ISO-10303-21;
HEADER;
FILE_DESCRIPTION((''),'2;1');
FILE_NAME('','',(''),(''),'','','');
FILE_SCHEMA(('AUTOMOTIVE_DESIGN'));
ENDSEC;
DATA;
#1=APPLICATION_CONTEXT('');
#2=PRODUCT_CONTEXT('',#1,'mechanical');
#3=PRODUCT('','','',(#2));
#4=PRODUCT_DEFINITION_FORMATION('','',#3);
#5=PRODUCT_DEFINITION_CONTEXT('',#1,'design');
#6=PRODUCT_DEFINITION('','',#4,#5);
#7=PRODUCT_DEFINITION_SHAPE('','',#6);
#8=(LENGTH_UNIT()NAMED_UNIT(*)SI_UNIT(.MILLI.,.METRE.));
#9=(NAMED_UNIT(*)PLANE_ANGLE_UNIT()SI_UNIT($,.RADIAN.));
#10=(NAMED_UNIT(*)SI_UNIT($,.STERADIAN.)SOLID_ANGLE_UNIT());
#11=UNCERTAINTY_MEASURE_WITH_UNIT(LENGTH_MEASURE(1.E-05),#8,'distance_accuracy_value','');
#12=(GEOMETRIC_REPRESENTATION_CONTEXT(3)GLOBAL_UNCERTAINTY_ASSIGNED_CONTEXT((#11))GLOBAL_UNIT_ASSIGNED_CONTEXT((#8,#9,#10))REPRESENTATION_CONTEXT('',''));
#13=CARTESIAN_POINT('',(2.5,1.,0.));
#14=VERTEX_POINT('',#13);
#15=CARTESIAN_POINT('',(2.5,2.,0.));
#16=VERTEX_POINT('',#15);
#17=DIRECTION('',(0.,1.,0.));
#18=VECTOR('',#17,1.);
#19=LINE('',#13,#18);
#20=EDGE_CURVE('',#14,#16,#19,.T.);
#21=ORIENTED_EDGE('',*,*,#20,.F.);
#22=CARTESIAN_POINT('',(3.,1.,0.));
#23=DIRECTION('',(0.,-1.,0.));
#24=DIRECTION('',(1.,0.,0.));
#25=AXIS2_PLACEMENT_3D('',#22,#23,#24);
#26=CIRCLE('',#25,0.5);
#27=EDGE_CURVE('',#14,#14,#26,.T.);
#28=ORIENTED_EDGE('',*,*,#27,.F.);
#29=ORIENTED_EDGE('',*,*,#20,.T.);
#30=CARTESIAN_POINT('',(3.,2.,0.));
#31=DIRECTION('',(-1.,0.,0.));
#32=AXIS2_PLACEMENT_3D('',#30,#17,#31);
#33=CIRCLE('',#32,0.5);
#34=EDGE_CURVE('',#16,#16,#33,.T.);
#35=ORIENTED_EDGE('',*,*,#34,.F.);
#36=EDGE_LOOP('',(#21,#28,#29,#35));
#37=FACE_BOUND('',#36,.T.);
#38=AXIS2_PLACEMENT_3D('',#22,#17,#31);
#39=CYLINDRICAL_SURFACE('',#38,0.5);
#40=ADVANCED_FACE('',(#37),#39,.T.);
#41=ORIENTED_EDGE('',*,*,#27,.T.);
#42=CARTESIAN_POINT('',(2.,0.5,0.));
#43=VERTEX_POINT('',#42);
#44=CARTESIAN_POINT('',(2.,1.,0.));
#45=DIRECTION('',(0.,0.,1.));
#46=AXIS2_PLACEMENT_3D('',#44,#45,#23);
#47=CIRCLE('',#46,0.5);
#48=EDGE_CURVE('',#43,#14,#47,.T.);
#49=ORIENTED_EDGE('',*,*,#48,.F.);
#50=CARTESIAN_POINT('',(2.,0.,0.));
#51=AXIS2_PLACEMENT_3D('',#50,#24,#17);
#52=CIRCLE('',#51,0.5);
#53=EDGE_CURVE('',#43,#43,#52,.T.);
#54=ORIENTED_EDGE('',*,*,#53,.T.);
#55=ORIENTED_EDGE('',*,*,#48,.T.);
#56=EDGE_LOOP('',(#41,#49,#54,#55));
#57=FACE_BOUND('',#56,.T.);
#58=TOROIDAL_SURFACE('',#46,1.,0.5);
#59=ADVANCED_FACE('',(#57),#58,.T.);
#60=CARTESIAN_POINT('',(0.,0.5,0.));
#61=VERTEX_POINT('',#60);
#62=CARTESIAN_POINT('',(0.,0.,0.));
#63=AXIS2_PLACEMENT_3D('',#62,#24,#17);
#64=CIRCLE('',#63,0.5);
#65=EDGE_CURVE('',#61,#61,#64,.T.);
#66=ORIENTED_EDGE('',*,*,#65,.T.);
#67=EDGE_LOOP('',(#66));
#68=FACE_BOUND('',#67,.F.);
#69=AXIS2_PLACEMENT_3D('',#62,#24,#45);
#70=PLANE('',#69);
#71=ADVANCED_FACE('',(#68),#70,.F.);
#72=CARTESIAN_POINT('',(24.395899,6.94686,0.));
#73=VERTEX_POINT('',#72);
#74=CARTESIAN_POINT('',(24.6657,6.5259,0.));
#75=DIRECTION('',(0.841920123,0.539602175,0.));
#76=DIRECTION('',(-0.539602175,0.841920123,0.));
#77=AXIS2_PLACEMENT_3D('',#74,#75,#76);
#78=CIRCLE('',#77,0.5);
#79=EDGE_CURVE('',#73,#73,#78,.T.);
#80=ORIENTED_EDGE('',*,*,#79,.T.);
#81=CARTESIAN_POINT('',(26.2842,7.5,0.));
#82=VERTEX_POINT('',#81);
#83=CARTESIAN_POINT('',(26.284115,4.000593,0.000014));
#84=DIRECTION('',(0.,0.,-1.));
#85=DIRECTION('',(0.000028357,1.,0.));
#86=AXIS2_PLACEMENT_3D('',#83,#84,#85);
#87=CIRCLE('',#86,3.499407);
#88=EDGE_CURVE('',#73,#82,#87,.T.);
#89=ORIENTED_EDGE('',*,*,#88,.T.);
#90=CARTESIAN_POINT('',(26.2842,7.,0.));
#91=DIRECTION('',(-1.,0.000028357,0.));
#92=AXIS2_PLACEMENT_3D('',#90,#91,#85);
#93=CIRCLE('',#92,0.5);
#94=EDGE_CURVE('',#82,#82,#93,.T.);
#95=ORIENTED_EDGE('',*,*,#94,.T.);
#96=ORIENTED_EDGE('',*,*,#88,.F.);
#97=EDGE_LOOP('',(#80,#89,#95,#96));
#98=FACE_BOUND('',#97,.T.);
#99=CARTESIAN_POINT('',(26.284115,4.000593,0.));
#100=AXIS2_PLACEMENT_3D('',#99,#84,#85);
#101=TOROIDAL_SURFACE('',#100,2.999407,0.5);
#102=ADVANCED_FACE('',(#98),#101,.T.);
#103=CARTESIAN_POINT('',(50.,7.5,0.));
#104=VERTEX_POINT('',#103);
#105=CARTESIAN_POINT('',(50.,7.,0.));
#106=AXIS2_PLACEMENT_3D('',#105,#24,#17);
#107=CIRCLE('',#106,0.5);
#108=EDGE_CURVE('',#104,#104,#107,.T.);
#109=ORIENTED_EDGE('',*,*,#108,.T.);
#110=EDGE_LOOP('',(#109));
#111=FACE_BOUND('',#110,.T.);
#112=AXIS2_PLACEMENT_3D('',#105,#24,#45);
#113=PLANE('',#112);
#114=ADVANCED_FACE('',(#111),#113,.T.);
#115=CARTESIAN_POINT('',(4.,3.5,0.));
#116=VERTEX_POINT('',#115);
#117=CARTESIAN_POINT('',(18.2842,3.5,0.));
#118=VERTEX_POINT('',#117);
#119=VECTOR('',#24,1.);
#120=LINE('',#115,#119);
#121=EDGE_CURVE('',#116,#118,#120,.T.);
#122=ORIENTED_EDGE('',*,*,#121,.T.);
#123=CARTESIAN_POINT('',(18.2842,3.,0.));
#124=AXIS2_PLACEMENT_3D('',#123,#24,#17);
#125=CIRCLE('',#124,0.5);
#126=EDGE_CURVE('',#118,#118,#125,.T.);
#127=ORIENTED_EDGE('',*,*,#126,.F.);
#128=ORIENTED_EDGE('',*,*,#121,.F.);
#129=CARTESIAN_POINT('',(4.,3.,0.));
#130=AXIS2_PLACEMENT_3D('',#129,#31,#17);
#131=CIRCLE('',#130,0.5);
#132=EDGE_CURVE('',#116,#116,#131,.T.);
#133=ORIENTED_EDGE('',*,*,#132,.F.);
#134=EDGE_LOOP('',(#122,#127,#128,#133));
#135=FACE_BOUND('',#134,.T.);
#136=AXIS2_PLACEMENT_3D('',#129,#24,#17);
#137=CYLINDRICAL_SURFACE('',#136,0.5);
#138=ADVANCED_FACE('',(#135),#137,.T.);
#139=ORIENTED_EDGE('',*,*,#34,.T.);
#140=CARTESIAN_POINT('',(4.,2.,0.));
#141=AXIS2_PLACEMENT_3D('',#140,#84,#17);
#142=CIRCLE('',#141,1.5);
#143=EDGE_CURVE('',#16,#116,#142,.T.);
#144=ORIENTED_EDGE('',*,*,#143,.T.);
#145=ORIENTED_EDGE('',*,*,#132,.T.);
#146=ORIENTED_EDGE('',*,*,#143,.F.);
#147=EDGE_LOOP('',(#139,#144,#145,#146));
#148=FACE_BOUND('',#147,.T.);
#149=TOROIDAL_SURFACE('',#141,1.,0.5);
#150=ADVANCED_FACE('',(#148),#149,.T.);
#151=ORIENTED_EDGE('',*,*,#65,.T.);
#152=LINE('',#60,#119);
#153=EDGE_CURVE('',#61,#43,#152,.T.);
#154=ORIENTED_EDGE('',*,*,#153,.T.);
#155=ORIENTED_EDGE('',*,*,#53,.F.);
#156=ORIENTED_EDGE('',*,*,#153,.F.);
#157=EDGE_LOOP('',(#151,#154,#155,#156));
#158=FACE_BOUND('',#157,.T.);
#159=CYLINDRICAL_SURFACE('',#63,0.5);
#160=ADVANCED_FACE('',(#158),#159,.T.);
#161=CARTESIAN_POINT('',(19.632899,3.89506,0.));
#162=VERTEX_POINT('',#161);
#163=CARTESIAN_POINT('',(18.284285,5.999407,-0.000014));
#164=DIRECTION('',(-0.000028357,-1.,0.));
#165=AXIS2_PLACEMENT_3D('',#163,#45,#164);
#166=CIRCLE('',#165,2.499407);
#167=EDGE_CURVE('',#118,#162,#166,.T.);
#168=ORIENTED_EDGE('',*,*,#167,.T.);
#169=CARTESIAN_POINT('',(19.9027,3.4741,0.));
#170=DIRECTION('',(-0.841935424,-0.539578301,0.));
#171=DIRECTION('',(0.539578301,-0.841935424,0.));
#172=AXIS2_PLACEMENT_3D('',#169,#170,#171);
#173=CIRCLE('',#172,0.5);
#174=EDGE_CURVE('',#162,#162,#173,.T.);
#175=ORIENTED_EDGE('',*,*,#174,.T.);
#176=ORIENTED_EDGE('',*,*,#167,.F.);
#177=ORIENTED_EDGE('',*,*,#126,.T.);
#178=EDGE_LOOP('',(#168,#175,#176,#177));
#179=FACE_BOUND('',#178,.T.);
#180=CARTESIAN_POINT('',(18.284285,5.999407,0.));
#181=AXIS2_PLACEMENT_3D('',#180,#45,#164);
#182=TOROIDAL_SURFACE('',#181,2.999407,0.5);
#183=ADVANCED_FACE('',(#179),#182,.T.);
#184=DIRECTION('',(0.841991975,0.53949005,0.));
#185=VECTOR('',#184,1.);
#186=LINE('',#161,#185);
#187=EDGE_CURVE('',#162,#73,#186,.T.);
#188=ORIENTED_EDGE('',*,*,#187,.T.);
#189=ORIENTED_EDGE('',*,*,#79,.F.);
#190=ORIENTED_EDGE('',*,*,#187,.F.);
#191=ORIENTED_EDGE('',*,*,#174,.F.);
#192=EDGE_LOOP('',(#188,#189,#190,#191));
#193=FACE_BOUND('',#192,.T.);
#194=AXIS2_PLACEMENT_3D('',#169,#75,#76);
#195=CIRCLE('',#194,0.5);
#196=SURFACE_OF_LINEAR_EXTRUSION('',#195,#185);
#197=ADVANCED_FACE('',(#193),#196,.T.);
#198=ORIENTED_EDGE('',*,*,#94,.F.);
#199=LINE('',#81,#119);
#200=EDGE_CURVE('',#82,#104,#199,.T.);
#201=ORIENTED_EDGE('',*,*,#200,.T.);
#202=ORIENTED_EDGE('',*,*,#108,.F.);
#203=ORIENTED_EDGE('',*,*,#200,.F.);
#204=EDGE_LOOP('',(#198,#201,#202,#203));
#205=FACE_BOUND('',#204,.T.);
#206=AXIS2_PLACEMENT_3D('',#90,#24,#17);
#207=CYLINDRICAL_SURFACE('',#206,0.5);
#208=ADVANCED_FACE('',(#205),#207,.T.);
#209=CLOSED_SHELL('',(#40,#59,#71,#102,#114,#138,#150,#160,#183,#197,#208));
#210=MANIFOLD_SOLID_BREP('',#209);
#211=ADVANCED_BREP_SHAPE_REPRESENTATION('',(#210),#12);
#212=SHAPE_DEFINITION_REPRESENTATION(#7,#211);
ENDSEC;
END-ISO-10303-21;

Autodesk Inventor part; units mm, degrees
ref_plane "YZ Plane" through (0, 0, 0) normal (1, 0, 0) x (0, 1, 0)
ref_plane "XZ Plane" through (0, 0, 0) normal (0, 1, 0) x (-1, 0, 0)
ref_plane "XY Plane" through (0, 0, 0) normal (0, 0, 1) x (1, 0, 0)
sketch "Skizze1" plane through (0, 0, 0) normal (0, 0, 1) x (1, 0, 0)
  line L0 (0, 0) -> (2, 0)
  line L1 (3, 1) -> (3, 2)
  arc A0 (2, 0) -> (3, 1) centre (2, 1) ccw
  arc A1 (4, 3) -> (3, 2) centre (4, 2) ccw
  line L2 (4, 3) -> (18.2842, 3)
  line L3 (19.9027, 3.4741) -> (24.6657, 6.5259)
  line L4 (26.2842, 7) -> (50, 7)
  arc A2 (18.2842, 3) -> (19.9027, 3.4741) centre (18.2842, 6) ccw
  arc A3 (26.2842, 7) -> (24.6657, 6.5259) centre (26.2842, 4) ccw
  dimension "d0" = 1
  dimension "d4" = 2
  dimension "d9" = 3
  dimension "d10" = 4
  dimension "d11" = 50
  dimension "d12" = 3
  dimension "d13" = 8
sketch "Skizze2" plane through (0, 0, 0) normal (1, 0, 0) x (0, 1, 0)
  circle A0 centre (0, 0) radius 0.5
  dimension "d1" = 1
sweep "Sweeping1" add profiles "Skizze2" path "Skizze1"
properties part number "P_aft_servolink"
